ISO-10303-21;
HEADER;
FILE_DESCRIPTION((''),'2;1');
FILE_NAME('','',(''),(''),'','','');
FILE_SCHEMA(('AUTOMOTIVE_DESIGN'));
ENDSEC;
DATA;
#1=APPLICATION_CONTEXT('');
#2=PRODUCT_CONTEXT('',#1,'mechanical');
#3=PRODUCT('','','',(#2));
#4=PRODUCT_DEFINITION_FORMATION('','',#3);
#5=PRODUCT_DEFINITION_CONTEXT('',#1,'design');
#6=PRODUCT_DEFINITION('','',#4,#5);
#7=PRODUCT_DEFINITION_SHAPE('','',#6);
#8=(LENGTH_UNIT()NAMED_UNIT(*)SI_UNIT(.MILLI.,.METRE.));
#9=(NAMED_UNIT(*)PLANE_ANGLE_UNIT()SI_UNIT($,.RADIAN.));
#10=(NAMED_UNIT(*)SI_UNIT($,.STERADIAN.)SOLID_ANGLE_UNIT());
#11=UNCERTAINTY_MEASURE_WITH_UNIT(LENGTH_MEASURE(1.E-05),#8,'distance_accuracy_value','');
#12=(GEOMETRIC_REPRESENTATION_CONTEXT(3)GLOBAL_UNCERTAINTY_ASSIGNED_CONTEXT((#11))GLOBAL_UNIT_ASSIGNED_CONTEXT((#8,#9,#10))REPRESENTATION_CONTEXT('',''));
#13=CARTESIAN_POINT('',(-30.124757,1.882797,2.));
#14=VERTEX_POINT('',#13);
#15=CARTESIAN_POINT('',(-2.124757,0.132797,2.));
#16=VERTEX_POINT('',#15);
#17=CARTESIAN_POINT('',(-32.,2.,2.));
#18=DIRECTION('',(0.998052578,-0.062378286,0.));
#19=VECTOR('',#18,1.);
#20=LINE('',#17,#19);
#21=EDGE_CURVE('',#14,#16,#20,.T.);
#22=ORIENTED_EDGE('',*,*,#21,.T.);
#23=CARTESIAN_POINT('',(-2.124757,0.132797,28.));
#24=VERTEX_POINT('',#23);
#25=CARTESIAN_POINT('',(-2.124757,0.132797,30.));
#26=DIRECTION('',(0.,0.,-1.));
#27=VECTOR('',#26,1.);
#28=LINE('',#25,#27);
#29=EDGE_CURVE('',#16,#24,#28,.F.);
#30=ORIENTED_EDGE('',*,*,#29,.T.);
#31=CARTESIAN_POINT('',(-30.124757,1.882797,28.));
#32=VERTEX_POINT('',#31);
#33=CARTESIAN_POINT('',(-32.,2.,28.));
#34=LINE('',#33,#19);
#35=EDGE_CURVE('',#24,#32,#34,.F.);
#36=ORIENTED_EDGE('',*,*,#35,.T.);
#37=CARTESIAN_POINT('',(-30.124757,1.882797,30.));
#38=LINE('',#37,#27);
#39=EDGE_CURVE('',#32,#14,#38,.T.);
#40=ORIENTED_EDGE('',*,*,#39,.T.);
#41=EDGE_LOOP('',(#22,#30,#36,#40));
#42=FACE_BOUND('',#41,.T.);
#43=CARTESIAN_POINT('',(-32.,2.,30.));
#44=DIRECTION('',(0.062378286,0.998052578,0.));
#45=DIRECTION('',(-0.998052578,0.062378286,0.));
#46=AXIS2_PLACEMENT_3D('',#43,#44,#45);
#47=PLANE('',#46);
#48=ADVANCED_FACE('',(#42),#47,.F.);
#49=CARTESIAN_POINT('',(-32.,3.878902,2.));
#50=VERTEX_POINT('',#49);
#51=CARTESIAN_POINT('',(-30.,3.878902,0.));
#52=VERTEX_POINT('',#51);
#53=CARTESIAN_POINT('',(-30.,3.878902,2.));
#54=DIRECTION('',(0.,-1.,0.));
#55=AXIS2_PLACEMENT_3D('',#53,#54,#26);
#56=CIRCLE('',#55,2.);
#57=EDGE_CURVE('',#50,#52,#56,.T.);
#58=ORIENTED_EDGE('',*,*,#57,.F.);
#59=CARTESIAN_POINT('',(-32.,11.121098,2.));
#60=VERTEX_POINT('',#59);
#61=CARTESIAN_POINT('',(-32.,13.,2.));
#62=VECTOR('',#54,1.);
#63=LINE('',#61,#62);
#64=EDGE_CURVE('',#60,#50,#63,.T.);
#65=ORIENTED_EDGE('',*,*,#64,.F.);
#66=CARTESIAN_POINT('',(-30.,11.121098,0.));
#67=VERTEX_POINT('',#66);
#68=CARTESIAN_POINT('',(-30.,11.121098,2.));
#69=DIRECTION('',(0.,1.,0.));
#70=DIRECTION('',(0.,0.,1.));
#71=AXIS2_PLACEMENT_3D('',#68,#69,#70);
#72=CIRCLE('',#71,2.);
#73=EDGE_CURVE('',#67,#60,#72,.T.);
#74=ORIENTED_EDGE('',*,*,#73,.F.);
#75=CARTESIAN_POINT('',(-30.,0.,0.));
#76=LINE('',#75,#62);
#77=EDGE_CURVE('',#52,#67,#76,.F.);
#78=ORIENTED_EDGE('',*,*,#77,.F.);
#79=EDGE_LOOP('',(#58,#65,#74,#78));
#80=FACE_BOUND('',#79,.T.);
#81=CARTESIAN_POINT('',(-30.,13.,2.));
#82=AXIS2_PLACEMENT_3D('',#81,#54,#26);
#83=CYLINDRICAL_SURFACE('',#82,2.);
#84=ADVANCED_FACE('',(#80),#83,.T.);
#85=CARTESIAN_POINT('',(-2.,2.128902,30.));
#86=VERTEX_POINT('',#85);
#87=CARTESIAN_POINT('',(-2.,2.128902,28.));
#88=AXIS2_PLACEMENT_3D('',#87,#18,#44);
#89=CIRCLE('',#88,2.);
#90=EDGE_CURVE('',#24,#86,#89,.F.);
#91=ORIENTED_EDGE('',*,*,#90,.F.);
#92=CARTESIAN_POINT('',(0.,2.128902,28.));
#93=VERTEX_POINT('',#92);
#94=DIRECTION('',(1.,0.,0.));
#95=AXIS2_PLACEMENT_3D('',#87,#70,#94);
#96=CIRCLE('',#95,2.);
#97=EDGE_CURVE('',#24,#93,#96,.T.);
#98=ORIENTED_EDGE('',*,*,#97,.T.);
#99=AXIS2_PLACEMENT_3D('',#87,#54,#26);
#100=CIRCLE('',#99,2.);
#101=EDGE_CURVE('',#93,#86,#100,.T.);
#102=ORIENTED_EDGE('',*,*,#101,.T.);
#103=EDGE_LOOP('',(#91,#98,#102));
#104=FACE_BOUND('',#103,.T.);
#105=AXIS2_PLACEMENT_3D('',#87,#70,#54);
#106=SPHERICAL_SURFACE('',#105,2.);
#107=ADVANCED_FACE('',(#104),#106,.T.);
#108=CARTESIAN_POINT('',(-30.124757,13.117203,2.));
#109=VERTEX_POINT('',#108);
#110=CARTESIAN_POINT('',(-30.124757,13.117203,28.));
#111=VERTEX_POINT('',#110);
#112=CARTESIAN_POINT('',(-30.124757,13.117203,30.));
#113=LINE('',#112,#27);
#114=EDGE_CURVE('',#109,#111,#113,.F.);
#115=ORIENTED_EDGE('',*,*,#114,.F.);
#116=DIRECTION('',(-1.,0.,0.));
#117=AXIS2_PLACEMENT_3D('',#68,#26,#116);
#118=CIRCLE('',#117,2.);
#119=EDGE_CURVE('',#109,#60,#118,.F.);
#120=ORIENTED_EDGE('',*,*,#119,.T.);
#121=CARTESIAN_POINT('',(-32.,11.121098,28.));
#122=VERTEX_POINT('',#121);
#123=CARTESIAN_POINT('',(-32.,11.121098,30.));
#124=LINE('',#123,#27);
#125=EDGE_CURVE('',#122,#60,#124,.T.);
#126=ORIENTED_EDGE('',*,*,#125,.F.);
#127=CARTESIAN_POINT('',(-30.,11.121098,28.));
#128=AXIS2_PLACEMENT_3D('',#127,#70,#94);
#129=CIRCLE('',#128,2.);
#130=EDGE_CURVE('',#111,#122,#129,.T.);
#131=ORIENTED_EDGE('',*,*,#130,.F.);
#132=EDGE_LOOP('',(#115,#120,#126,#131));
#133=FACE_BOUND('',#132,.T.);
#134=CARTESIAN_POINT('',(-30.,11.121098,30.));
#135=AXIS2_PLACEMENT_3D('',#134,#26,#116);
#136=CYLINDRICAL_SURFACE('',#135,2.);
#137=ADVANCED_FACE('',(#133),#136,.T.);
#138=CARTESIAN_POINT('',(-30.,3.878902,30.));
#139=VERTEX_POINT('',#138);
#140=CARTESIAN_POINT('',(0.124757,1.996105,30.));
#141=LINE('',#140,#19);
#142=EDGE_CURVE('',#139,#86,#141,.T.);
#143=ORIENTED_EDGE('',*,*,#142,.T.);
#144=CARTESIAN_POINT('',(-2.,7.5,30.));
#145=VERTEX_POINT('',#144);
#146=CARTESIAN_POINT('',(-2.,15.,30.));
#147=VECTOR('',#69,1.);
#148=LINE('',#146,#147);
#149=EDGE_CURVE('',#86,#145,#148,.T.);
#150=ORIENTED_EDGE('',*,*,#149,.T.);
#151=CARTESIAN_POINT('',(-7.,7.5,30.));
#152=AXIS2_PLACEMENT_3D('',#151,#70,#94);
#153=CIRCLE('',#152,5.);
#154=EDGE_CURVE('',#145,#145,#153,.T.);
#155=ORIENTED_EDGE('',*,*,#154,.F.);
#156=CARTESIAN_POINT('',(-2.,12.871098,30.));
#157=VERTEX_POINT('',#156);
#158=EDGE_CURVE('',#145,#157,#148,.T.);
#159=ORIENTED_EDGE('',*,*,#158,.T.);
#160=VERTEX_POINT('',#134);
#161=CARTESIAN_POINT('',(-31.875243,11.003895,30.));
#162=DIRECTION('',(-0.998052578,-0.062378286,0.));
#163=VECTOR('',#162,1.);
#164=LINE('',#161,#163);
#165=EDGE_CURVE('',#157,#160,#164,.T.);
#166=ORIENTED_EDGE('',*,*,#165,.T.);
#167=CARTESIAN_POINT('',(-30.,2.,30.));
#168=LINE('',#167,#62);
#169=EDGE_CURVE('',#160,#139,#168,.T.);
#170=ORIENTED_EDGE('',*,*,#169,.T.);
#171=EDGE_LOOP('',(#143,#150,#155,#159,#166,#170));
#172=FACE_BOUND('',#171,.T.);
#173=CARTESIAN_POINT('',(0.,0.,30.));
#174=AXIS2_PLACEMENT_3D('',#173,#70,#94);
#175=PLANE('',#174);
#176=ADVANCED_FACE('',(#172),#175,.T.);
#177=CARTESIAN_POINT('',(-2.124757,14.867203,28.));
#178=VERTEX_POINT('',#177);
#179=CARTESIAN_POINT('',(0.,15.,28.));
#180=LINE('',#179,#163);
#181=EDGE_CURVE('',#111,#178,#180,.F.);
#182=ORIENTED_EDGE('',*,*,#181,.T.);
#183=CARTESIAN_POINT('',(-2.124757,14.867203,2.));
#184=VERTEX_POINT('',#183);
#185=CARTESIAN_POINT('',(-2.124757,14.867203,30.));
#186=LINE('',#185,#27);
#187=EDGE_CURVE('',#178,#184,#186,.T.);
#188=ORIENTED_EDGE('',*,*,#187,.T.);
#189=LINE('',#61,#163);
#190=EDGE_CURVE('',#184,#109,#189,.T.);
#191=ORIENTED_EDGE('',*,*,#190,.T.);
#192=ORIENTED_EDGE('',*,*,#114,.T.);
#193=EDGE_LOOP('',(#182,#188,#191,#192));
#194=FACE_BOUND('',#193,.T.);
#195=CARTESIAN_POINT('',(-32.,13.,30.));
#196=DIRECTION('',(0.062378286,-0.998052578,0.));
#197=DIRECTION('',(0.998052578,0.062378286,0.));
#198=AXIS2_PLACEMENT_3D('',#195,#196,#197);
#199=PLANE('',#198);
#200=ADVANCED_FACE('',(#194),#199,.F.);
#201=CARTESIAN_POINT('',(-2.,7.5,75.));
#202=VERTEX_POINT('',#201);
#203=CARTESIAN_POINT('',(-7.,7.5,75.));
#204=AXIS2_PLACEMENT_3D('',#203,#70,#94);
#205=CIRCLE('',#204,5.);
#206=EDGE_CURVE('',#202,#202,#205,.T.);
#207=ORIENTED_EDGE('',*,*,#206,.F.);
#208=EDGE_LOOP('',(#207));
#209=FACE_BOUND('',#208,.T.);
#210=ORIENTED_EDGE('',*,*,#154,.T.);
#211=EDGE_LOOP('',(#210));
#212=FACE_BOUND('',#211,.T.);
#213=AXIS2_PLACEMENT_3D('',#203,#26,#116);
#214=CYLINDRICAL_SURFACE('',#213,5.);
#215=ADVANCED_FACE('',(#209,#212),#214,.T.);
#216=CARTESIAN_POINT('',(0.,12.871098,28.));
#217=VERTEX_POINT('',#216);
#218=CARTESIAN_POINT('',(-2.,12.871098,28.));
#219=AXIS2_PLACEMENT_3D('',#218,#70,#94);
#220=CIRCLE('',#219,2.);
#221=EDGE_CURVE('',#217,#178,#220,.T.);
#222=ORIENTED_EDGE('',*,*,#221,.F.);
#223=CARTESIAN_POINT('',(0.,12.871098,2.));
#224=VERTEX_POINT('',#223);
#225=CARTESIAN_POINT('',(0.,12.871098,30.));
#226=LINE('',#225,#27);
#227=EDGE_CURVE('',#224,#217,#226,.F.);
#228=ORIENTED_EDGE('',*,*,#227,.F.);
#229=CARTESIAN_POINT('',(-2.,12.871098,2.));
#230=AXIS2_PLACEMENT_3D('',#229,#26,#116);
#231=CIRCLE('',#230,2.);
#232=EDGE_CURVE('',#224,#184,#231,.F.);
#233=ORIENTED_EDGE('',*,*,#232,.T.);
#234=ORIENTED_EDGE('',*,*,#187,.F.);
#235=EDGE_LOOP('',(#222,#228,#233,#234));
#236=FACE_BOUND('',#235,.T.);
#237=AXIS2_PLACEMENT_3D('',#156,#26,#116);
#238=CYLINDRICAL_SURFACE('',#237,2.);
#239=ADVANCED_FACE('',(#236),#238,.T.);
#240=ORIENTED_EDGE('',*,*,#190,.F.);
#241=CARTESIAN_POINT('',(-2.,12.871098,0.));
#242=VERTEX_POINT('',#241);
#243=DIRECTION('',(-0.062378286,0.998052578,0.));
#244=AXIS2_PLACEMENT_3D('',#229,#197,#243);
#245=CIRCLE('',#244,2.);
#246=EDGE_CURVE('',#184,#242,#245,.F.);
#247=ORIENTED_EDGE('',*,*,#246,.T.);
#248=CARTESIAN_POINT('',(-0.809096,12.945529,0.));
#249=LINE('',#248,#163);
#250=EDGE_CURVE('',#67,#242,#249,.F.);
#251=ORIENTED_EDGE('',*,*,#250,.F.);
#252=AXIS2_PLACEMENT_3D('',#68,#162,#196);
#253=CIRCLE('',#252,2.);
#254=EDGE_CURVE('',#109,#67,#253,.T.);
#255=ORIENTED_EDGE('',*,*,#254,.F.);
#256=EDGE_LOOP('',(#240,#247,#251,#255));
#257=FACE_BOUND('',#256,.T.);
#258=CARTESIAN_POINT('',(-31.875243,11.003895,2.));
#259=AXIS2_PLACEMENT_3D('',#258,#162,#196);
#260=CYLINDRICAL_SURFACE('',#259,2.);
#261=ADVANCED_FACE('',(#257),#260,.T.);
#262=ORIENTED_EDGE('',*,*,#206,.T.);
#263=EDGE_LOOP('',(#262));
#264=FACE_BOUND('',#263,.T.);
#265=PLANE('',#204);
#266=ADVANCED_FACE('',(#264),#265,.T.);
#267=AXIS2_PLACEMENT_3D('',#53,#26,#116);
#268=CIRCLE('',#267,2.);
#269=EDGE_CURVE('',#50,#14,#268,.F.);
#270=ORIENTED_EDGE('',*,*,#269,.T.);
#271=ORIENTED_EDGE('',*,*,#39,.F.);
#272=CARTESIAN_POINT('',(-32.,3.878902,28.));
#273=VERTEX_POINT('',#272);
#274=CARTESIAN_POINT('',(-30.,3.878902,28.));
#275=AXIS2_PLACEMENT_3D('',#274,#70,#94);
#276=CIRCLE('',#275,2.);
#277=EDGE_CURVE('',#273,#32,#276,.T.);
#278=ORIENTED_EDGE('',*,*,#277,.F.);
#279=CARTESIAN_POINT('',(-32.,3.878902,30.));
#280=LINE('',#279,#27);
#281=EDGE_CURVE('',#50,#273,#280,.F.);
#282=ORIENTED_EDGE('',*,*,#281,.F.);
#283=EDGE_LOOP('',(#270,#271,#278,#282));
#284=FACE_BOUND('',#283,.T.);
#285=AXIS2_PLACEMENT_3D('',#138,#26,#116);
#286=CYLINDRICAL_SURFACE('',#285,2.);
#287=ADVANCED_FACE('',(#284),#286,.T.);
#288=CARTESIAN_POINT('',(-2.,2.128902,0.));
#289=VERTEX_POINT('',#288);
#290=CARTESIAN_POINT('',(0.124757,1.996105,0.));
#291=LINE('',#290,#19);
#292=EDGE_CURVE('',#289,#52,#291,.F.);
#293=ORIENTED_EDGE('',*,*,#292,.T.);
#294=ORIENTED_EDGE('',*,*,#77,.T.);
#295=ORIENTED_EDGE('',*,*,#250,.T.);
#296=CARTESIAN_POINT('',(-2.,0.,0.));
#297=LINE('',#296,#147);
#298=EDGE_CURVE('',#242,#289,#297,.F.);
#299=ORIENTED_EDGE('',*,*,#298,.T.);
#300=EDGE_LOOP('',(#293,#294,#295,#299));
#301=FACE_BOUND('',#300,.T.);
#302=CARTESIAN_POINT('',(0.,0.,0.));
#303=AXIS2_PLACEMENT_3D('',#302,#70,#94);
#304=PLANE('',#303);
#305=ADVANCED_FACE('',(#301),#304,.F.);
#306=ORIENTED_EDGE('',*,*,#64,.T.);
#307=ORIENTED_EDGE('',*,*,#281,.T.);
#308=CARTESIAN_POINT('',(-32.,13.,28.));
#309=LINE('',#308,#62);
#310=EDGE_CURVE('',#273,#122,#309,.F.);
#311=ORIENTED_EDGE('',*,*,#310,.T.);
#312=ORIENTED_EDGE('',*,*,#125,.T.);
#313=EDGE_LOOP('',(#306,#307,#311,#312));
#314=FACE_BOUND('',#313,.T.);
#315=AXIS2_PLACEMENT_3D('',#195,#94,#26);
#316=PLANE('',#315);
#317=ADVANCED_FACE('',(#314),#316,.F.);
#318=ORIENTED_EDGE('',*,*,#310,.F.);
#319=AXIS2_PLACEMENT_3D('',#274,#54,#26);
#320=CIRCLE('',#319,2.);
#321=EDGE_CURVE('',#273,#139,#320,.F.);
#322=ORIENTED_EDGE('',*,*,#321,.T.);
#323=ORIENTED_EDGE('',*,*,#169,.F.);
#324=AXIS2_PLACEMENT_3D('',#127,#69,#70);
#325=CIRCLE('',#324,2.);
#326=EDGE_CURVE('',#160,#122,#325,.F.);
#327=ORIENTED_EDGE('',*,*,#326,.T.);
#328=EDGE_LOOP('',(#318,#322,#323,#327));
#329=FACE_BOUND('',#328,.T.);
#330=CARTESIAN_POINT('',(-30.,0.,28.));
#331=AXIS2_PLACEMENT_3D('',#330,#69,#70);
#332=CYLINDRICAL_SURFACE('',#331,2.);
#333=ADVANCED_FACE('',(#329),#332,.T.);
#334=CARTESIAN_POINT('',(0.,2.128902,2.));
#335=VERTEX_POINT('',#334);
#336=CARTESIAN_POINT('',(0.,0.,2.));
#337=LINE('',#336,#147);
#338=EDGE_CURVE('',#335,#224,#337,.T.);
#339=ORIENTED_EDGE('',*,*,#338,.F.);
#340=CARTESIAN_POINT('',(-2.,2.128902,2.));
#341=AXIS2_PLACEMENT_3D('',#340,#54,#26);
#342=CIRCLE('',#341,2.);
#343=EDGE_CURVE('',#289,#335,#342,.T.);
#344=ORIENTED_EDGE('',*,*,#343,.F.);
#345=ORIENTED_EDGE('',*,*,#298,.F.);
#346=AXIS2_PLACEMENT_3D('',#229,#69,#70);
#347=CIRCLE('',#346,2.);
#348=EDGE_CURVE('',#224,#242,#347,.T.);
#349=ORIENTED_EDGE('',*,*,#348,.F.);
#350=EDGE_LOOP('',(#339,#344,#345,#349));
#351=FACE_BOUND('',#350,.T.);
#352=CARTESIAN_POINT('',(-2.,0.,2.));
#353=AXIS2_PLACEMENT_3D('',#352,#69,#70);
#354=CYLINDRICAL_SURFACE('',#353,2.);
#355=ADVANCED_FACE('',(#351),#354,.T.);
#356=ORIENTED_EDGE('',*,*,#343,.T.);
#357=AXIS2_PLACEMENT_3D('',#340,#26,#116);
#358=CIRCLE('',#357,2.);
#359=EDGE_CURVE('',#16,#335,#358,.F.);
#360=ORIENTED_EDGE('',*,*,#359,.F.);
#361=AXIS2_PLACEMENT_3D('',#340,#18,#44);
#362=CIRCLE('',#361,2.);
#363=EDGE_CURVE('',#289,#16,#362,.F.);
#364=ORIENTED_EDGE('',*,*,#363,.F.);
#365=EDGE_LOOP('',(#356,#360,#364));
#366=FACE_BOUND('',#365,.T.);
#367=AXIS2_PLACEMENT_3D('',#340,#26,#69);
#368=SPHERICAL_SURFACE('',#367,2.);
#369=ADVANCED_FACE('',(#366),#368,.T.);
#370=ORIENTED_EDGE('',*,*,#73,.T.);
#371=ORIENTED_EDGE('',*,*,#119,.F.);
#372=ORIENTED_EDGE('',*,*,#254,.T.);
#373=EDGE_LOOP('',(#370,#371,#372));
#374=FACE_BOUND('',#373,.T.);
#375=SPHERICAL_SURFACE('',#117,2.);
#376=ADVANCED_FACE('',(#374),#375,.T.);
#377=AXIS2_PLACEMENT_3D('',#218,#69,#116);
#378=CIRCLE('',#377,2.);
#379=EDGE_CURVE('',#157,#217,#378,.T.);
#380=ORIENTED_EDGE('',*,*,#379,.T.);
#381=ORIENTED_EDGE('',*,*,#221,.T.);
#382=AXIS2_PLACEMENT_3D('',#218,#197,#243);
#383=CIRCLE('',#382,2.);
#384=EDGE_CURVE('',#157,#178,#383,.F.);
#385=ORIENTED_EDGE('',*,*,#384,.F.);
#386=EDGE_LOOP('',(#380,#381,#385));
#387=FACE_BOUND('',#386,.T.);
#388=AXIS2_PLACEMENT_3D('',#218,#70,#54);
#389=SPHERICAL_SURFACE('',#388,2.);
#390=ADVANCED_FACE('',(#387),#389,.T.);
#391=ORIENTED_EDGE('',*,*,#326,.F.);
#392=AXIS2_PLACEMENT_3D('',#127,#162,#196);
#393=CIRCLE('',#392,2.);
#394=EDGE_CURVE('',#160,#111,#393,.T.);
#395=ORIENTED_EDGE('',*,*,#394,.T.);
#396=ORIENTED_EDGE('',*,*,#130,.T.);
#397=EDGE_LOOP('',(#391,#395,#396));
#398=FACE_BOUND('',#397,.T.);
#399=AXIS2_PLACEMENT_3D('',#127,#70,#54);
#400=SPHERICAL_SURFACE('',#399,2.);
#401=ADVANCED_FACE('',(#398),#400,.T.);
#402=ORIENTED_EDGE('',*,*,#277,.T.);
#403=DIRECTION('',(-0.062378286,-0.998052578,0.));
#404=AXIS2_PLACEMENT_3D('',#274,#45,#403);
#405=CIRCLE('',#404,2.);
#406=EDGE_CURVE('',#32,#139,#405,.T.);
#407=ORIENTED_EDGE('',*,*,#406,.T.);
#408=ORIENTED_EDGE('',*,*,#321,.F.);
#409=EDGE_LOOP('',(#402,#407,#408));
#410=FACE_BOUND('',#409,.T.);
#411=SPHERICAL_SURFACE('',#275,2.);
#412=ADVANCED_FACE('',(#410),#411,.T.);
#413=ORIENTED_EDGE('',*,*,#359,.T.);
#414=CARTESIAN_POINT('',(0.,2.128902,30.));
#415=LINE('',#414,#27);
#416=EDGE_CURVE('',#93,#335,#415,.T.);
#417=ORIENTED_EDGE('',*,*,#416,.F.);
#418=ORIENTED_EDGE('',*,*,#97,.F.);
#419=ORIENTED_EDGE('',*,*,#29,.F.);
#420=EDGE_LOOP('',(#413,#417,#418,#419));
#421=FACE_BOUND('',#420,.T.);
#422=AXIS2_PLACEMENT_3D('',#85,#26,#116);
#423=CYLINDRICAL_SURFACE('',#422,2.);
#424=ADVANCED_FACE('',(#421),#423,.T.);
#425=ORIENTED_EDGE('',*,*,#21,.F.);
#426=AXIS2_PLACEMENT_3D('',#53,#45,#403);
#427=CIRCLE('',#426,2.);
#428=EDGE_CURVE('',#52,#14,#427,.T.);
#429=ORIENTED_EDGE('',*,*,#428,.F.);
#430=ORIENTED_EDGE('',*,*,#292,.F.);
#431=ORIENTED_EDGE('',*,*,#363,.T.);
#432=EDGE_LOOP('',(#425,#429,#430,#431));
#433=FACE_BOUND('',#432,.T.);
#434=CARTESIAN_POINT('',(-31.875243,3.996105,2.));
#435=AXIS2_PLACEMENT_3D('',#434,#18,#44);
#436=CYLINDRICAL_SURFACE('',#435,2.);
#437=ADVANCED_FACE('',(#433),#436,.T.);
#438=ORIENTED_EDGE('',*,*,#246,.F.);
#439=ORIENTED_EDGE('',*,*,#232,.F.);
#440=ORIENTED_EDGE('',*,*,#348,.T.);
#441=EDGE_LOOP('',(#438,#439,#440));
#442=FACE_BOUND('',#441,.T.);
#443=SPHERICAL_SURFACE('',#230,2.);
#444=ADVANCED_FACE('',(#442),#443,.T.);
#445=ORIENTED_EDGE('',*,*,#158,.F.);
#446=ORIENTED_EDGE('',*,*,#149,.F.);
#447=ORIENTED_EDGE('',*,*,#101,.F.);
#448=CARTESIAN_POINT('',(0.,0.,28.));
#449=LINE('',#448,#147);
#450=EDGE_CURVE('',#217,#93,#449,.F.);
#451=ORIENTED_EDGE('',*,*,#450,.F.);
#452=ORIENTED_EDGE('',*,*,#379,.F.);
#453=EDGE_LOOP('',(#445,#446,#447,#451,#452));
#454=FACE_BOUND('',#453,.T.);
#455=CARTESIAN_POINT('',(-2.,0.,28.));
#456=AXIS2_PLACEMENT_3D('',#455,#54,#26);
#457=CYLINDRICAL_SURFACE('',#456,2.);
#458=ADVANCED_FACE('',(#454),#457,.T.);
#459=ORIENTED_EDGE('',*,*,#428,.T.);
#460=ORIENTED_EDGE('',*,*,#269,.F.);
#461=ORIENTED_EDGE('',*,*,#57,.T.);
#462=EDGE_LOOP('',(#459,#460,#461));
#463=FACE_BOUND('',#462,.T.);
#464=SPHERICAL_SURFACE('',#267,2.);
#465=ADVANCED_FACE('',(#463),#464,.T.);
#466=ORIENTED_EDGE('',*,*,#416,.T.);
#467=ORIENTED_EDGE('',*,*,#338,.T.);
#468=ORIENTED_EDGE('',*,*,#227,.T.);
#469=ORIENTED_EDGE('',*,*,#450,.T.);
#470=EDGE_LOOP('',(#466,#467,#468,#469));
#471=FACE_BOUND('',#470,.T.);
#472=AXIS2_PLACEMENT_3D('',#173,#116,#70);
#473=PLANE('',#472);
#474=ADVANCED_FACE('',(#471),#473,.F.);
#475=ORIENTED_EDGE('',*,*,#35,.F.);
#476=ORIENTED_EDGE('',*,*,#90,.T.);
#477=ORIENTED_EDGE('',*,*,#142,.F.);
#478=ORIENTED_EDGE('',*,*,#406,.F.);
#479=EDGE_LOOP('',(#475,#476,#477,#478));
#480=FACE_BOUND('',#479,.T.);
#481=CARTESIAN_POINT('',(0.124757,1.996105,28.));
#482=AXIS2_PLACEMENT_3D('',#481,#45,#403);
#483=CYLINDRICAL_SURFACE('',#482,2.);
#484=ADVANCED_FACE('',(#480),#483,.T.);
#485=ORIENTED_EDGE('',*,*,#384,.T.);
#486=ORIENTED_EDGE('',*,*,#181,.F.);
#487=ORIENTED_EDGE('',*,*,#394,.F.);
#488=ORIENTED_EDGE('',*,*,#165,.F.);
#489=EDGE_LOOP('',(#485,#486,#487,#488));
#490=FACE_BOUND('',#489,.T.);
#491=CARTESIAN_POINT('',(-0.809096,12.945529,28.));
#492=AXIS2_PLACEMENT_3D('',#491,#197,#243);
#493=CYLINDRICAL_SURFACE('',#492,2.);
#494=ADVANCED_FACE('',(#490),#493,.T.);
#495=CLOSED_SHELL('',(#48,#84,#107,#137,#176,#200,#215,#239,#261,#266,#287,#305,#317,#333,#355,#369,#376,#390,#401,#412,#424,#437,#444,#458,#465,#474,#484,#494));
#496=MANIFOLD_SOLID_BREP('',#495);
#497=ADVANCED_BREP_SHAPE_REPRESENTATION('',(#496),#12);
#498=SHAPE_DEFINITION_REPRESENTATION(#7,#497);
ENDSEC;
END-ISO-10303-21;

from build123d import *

# Parameters (mm, degrees)
RESSALTO_EXTRUS_O1_DEPTH = 30
FILETE1_R                = 2
ESBO_O4_R                = 5
RESSALTO_EXTRUS_O2_DEPTH = 45


with BuildPart() as part:
    # Esboço2 → Ressalto-extrusão1 (new body)
    with BuildSketch(Plane.XY):
        Polygon((0, 0), (0, 15), (-32, 13), (-32, 2), align=None)
    extrude(amount=RESSALTO_EXTRUS_O1_DEPTH)

    # Filete1
    filete1_edges = [part.edges().sort_by_distance(p)[0] for p in [
        (-16, 14, 30),
        (-32, 7.5, 30),
        (-16, 1, 30),
        (-32, 7.5, 0),
        (-16, 14, 0),
        (0, 7.5, 0),
        (-16, 1, 0),
        (-32, 2, 15),
        (-32, 13, 15),
        (0, 15, 15),
        (0, 0, 15),
        (0, 7.5, 30),
    ]]
    fillet(filete1_edges, radius=FILETE1_R)

    # Esboço4 → Ressalto-extrusão2 (add)
    with BuildSketch(Plane.XY.offset(30)):
        with Locations((-7, 7.5)):
            Circle(ESBO_O4_R)
    extrude(amount=RESSALTO_EXTRUS_O2_DEPTH)


solid = part.part
